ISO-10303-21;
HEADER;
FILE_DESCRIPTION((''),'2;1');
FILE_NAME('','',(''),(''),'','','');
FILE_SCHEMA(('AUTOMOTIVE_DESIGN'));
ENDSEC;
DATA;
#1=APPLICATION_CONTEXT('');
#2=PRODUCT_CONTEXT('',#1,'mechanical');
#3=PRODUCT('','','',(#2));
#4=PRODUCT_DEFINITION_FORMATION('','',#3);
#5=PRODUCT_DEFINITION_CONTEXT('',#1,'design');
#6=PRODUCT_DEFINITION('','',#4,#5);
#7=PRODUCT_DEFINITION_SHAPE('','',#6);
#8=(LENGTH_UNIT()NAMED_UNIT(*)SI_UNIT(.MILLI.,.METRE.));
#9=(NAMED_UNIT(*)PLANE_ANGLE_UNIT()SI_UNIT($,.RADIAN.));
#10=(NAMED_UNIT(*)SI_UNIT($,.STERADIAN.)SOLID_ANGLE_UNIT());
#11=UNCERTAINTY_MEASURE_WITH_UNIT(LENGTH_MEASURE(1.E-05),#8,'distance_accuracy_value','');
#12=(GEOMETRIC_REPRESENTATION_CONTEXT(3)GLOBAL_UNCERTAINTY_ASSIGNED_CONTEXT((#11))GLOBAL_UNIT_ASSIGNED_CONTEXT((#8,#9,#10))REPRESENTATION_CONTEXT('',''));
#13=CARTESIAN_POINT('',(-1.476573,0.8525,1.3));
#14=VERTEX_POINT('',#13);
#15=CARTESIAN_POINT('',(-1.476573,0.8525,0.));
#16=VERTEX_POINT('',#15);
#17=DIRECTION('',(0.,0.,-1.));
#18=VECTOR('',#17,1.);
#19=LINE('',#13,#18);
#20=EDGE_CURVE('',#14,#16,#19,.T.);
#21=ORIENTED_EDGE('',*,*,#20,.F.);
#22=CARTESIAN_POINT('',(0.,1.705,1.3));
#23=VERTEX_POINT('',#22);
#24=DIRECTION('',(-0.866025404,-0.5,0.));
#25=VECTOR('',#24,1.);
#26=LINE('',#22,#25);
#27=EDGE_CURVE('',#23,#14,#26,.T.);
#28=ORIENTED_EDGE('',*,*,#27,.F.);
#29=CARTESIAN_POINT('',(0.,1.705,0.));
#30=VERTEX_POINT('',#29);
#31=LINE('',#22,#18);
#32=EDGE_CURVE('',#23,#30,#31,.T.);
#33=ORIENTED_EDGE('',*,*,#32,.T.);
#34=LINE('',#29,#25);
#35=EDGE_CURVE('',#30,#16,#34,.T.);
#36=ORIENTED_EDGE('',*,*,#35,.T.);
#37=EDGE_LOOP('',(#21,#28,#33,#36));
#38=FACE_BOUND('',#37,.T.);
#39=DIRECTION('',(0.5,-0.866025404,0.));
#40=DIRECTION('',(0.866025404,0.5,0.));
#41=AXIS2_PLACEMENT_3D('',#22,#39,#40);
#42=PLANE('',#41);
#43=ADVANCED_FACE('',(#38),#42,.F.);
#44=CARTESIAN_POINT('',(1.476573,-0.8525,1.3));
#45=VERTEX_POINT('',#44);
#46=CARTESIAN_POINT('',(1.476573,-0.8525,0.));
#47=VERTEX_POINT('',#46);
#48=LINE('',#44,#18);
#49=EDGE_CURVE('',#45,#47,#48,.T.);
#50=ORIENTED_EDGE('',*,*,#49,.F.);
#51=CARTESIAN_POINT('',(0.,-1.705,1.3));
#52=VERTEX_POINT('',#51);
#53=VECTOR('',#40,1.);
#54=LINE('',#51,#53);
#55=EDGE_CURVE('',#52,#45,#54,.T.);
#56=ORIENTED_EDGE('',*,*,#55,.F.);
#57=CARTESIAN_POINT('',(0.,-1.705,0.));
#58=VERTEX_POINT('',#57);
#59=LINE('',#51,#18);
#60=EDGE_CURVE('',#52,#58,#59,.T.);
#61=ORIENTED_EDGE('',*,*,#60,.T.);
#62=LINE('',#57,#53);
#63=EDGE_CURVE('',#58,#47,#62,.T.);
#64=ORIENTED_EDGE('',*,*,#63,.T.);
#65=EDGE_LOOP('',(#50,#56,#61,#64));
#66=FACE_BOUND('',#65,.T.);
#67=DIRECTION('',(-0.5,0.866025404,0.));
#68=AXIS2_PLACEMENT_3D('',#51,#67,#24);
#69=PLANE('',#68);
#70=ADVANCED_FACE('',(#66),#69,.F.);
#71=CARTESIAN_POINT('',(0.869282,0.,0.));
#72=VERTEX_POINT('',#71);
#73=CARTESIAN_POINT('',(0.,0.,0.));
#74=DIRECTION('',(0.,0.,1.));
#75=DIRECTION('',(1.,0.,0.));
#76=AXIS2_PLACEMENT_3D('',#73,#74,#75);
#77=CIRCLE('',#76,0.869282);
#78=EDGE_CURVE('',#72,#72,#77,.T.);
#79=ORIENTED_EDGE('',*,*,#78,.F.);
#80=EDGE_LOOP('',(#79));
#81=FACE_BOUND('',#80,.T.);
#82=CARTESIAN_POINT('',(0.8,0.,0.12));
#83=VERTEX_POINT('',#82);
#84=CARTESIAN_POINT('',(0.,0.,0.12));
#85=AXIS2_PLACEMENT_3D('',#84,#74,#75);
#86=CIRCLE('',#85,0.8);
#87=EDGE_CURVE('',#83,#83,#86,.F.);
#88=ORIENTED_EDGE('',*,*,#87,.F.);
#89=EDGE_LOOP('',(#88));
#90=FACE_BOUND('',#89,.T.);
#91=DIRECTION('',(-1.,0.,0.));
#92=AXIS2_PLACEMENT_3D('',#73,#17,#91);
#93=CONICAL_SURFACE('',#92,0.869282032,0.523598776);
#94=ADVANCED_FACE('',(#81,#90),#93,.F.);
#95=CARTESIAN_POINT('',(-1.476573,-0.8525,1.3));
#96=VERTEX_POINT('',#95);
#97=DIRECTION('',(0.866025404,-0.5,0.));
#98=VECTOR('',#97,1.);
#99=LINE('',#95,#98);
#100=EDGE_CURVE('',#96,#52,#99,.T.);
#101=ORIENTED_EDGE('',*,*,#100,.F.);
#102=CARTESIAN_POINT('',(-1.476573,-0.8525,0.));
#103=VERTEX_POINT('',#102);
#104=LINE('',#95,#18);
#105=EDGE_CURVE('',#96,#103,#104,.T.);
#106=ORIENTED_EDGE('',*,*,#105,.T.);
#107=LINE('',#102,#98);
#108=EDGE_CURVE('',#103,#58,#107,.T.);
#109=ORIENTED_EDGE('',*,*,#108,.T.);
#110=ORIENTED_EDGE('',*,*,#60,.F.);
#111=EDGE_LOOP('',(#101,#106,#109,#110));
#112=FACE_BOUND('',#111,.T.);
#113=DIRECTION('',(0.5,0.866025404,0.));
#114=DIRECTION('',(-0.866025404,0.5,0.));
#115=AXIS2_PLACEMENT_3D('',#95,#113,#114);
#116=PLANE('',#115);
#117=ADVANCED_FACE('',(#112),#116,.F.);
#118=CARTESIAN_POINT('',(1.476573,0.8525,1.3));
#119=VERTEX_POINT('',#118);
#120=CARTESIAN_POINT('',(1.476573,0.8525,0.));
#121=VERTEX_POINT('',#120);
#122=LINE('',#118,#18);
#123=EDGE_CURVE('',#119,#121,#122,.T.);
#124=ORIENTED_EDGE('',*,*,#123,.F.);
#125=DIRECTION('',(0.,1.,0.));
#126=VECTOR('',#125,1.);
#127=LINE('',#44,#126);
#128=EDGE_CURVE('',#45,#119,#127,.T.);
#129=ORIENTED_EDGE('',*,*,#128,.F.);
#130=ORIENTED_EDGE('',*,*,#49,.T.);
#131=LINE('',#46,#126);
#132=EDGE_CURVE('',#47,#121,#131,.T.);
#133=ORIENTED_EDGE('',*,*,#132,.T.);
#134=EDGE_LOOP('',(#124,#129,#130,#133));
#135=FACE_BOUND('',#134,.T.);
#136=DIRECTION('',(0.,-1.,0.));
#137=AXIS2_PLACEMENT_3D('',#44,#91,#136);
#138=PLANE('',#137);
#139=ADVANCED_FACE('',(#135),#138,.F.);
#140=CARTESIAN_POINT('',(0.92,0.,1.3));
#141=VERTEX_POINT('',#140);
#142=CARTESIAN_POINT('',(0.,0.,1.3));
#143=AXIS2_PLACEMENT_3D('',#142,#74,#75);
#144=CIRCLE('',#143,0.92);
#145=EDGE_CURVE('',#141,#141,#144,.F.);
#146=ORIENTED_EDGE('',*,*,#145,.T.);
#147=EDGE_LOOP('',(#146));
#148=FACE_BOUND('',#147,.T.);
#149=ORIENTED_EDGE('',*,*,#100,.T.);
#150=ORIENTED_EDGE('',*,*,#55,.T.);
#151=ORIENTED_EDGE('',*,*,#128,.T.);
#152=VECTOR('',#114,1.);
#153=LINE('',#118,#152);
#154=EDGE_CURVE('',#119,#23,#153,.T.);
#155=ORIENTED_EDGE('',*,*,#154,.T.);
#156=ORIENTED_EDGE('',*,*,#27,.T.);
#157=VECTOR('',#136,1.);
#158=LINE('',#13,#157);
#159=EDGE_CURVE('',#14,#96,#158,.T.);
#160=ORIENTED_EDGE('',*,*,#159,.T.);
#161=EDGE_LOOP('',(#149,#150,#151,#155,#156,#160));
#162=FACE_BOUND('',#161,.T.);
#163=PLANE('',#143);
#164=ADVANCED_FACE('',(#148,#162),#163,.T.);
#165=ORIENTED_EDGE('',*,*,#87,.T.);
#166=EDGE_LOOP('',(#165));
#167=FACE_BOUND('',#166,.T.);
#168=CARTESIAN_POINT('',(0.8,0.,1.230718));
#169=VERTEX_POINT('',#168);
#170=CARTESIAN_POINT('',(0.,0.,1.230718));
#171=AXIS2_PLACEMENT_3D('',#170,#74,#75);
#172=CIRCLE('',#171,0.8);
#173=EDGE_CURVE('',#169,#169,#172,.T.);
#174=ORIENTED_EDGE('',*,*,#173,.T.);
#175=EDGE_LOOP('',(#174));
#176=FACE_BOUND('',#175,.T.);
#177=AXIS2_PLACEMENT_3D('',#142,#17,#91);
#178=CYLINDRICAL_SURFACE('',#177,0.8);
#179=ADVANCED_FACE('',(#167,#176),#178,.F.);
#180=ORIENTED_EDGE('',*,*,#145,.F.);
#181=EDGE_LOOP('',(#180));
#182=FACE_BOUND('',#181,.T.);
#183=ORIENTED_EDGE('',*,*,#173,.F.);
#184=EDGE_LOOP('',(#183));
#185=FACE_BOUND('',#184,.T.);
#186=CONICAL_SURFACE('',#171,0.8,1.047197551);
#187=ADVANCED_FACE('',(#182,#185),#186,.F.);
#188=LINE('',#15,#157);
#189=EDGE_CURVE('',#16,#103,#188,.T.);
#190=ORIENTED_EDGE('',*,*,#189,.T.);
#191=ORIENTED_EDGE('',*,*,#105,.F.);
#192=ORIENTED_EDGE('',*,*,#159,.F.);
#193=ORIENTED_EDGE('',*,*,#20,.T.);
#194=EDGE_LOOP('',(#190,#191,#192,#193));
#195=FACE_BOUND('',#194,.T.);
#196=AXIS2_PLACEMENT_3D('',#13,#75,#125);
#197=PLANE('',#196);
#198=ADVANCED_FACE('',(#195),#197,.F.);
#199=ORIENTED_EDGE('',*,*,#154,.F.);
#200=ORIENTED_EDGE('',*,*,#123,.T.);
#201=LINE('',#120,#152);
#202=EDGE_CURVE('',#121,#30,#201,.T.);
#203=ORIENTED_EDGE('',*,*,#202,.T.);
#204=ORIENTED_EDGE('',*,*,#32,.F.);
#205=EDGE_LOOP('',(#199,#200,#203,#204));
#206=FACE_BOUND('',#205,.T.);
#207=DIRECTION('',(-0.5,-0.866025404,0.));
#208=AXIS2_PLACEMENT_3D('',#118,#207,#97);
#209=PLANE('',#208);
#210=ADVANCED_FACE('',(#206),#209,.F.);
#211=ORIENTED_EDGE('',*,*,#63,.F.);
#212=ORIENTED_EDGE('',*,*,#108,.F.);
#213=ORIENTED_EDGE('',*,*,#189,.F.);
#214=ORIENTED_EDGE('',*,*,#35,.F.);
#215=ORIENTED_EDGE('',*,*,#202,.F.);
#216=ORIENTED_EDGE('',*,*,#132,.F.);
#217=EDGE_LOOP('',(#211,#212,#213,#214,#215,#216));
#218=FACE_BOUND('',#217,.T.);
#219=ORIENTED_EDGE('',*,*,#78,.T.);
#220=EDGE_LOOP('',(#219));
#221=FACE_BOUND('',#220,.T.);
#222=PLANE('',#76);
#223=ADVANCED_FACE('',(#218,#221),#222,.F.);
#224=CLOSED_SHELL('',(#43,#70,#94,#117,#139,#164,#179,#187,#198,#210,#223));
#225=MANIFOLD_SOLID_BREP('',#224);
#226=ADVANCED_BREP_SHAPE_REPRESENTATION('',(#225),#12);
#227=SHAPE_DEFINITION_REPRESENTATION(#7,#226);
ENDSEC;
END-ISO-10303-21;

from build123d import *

# Parameters (mm, degrees)
SKETCH_1_R             = 0.8
EXTRUDE_1_DEPTH        = 1.3
CHAMFER_1_SIZE         = 0.12
CHAMFER_1_SIZE2        = 0.069282032
CHAMFER_1_PART_2_SIZE  = 0.12
CHAMFER_1_PART_2_SIZE2 = 0.069282032


with BuildPart() as part:
    # Эскиз1 → Бобышка-Вытянуть1 (new body)
    with BuildSketch(Plane.XY):
        Polygon((0, 1.705), (-1.476573313, 0.8525), (-1.476573313, -0.8525), (0, -1.705), (1.476573313, -0.8525), (1.476573313, 0.8525), align=None)
        Circle(SKETCH_1_R, mode=Mode.SUBTRACT)
    extrude(amount=EXTRUDE_1_DEPTH)

    # Фаска1
    chamfer_1_edges = [part.edges().sort_by_distance(p)[0] for p in [
        (-0.8, 0, 0),
    ]]
    chamfer_1_side = [part.faces().sort_by_distance(p)[0] for p in [
        (-0.8, 0, 0.65),
    ]]
    chamfer(chamfer_1_edges, length=CHAMFER_1_SIZE, length2=CHAMFER_1_SIZE2, reference=chamfer_1_side[0])

    # Фаска1 part 2
    chamfer_1_part_2_edges = [part.edges().sort_by_distance(p)[0] for p in [
        (-0.8, 0, 1.3),
    ]]
    chamfer_1_part_2_side = [part.faces().sort_by_distance(p)[0] for p in [
        (-0.715731627, 1.239683542, 1.3),
    ]]
    chamfer(chamfer_1_part_2_edges, length=CHAMFER_1_PART_2_SIZE, length2=CHAMFER_1_PART_2_SIZE2, reference=chamfer_1_part_2_side[0])


solid = part.part
